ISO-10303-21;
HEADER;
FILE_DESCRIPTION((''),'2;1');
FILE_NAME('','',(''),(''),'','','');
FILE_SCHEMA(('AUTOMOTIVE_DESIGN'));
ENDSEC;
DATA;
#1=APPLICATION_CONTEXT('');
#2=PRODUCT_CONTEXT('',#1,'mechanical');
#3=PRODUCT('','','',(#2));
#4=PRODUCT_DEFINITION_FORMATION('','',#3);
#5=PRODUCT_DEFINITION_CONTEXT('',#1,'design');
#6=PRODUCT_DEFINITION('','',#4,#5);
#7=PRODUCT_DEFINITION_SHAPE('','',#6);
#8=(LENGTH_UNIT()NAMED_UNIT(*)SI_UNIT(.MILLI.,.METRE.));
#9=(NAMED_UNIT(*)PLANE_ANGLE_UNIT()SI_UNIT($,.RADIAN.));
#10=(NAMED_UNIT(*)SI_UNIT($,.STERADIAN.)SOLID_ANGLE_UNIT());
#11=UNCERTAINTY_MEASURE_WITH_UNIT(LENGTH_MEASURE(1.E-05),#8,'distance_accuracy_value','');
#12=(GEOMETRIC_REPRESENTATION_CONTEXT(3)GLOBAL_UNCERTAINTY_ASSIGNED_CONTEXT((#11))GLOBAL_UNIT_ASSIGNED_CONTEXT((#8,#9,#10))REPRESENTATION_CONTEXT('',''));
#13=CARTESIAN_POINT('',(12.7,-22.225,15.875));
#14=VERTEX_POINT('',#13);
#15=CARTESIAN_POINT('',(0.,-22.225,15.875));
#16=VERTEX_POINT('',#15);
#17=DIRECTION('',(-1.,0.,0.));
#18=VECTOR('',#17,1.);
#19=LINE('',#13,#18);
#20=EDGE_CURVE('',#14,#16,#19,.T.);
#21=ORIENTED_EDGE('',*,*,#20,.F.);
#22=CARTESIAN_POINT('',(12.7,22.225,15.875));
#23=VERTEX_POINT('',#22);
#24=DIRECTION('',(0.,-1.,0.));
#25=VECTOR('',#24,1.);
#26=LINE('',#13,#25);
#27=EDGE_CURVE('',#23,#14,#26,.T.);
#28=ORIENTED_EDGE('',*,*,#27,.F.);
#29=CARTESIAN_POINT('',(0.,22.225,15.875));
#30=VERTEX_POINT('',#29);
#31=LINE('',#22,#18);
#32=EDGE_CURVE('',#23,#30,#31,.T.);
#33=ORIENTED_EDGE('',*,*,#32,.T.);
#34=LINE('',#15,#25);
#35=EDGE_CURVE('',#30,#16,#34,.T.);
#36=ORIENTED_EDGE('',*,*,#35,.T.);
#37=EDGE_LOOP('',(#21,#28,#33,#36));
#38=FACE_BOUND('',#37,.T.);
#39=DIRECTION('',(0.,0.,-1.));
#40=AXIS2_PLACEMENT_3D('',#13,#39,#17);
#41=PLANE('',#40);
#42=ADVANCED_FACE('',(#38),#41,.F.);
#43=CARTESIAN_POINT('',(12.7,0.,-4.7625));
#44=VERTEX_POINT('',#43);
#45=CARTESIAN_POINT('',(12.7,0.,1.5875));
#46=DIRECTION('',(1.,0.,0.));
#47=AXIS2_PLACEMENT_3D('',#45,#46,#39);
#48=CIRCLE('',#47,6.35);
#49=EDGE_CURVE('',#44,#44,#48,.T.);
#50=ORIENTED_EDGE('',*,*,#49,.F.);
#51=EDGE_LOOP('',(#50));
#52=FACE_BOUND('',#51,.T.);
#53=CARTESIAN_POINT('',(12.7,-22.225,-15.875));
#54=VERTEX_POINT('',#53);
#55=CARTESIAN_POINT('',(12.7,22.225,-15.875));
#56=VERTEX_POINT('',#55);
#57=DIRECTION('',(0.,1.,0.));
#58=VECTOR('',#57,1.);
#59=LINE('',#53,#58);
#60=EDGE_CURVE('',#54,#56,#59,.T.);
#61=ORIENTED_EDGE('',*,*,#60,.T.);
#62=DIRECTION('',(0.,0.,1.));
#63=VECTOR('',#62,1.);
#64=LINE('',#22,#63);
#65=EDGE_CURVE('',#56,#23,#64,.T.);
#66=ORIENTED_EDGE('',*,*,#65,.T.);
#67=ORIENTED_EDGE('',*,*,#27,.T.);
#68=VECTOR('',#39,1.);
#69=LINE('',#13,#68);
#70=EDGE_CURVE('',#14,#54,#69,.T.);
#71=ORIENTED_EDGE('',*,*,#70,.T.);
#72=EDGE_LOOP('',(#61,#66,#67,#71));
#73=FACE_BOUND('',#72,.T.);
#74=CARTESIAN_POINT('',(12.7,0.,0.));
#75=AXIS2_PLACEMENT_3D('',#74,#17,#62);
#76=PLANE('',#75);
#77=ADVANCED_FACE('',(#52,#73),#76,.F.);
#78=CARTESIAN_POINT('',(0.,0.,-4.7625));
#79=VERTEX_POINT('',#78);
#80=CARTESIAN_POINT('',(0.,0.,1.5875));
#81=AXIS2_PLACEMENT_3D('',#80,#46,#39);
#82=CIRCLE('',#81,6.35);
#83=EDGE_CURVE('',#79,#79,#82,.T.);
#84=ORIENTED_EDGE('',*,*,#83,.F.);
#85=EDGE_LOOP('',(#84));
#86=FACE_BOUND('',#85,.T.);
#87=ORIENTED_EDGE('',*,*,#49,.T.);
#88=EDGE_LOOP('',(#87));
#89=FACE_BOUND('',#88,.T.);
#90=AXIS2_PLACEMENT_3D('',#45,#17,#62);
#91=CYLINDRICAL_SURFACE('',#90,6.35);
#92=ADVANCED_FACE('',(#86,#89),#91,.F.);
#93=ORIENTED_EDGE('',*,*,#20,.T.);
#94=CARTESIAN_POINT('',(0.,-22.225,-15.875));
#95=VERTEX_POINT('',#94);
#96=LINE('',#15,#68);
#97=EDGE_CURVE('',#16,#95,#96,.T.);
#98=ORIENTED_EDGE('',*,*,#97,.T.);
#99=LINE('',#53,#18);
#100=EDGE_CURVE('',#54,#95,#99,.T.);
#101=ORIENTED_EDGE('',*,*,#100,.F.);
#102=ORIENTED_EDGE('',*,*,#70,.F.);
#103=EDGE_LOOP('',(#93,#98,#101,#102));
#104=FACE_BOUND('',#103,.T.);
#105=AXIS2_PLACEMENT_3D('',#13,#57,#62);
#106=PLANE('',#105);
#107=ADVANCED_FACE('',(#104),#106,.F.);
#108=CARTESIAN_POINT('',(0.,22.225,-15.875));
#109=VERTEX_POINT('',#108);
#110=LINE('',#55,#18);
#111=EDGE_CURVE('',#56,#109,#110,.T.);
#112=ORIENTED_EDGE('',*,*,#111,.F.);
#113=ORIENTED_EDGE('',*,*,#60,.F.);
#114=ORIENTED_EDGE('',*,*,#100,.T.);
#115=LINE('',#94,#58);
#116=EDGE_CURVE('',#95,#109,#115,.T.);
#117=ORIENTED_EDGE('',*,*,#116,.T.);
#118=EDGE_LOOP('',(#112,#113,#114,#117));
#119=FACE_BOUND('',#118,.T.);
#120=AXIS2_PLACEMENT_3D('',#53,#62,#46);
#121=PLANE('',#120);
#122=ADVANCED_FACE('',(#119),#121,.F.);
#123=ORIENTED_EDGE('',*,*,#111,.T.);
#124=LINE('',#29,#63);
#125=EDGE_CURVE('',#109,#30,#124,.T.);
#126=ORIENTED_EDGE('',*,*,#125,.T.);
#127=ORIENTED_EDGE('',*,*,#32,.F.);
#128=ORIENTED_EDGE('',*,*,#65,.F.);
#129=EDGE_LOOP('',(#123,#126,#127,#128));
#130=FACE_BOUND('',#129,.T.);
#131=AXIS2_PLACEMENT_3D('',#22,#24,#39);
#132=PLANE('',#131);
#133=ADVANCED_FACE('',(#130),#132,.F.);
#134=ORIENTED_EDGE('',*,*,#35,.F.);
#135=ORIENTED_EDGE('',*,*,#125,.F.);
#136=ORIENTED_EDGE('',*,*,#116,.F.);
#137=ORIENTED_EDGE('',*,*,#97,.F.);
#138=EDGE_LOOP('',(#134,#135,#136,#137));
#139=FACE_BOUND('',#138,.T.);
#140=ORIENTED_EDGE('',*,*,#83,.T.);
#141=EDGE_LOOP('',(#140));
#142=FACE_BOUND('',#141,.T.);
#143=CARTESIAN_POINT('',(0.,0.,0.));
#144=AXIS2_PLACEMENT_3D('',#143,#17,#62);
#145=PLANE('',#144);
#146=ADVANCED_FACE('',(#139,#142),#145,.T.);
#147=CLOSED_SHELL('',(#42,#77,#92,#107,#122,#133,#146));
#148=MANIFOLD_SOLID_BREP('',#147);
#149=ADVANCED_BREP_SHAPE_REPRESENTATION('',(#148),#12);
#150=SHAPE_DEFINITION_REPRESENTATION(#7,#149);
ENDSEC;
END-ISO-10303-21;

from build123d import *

# Parameters (mm, degrees)
SKETCH1_W           = 31.75
SKETCH1_H           = 44.45
SKETCH1_R           = 6.35
BOSS_EXTRUDE1_DEPTH = 12.7


with BuildPart() as part:
    # Sketch1 → Boss-Extrude1 (new body)
    with BuildSketch(Plane(origin=(0, 0, 0), x_dir=(0, 0, -1), z_dir=(1, 0, 0))):
        Rectangle(SKETCH1_W, SKETCH1_H)
        with Locations((-1.5875, 0)):
            Circle(SKETCH1_R, mode=Mode.SUBTRACT)
    extrude(amount=BOSS_EXTRUDE1_DEPTH)


solid = part.part
